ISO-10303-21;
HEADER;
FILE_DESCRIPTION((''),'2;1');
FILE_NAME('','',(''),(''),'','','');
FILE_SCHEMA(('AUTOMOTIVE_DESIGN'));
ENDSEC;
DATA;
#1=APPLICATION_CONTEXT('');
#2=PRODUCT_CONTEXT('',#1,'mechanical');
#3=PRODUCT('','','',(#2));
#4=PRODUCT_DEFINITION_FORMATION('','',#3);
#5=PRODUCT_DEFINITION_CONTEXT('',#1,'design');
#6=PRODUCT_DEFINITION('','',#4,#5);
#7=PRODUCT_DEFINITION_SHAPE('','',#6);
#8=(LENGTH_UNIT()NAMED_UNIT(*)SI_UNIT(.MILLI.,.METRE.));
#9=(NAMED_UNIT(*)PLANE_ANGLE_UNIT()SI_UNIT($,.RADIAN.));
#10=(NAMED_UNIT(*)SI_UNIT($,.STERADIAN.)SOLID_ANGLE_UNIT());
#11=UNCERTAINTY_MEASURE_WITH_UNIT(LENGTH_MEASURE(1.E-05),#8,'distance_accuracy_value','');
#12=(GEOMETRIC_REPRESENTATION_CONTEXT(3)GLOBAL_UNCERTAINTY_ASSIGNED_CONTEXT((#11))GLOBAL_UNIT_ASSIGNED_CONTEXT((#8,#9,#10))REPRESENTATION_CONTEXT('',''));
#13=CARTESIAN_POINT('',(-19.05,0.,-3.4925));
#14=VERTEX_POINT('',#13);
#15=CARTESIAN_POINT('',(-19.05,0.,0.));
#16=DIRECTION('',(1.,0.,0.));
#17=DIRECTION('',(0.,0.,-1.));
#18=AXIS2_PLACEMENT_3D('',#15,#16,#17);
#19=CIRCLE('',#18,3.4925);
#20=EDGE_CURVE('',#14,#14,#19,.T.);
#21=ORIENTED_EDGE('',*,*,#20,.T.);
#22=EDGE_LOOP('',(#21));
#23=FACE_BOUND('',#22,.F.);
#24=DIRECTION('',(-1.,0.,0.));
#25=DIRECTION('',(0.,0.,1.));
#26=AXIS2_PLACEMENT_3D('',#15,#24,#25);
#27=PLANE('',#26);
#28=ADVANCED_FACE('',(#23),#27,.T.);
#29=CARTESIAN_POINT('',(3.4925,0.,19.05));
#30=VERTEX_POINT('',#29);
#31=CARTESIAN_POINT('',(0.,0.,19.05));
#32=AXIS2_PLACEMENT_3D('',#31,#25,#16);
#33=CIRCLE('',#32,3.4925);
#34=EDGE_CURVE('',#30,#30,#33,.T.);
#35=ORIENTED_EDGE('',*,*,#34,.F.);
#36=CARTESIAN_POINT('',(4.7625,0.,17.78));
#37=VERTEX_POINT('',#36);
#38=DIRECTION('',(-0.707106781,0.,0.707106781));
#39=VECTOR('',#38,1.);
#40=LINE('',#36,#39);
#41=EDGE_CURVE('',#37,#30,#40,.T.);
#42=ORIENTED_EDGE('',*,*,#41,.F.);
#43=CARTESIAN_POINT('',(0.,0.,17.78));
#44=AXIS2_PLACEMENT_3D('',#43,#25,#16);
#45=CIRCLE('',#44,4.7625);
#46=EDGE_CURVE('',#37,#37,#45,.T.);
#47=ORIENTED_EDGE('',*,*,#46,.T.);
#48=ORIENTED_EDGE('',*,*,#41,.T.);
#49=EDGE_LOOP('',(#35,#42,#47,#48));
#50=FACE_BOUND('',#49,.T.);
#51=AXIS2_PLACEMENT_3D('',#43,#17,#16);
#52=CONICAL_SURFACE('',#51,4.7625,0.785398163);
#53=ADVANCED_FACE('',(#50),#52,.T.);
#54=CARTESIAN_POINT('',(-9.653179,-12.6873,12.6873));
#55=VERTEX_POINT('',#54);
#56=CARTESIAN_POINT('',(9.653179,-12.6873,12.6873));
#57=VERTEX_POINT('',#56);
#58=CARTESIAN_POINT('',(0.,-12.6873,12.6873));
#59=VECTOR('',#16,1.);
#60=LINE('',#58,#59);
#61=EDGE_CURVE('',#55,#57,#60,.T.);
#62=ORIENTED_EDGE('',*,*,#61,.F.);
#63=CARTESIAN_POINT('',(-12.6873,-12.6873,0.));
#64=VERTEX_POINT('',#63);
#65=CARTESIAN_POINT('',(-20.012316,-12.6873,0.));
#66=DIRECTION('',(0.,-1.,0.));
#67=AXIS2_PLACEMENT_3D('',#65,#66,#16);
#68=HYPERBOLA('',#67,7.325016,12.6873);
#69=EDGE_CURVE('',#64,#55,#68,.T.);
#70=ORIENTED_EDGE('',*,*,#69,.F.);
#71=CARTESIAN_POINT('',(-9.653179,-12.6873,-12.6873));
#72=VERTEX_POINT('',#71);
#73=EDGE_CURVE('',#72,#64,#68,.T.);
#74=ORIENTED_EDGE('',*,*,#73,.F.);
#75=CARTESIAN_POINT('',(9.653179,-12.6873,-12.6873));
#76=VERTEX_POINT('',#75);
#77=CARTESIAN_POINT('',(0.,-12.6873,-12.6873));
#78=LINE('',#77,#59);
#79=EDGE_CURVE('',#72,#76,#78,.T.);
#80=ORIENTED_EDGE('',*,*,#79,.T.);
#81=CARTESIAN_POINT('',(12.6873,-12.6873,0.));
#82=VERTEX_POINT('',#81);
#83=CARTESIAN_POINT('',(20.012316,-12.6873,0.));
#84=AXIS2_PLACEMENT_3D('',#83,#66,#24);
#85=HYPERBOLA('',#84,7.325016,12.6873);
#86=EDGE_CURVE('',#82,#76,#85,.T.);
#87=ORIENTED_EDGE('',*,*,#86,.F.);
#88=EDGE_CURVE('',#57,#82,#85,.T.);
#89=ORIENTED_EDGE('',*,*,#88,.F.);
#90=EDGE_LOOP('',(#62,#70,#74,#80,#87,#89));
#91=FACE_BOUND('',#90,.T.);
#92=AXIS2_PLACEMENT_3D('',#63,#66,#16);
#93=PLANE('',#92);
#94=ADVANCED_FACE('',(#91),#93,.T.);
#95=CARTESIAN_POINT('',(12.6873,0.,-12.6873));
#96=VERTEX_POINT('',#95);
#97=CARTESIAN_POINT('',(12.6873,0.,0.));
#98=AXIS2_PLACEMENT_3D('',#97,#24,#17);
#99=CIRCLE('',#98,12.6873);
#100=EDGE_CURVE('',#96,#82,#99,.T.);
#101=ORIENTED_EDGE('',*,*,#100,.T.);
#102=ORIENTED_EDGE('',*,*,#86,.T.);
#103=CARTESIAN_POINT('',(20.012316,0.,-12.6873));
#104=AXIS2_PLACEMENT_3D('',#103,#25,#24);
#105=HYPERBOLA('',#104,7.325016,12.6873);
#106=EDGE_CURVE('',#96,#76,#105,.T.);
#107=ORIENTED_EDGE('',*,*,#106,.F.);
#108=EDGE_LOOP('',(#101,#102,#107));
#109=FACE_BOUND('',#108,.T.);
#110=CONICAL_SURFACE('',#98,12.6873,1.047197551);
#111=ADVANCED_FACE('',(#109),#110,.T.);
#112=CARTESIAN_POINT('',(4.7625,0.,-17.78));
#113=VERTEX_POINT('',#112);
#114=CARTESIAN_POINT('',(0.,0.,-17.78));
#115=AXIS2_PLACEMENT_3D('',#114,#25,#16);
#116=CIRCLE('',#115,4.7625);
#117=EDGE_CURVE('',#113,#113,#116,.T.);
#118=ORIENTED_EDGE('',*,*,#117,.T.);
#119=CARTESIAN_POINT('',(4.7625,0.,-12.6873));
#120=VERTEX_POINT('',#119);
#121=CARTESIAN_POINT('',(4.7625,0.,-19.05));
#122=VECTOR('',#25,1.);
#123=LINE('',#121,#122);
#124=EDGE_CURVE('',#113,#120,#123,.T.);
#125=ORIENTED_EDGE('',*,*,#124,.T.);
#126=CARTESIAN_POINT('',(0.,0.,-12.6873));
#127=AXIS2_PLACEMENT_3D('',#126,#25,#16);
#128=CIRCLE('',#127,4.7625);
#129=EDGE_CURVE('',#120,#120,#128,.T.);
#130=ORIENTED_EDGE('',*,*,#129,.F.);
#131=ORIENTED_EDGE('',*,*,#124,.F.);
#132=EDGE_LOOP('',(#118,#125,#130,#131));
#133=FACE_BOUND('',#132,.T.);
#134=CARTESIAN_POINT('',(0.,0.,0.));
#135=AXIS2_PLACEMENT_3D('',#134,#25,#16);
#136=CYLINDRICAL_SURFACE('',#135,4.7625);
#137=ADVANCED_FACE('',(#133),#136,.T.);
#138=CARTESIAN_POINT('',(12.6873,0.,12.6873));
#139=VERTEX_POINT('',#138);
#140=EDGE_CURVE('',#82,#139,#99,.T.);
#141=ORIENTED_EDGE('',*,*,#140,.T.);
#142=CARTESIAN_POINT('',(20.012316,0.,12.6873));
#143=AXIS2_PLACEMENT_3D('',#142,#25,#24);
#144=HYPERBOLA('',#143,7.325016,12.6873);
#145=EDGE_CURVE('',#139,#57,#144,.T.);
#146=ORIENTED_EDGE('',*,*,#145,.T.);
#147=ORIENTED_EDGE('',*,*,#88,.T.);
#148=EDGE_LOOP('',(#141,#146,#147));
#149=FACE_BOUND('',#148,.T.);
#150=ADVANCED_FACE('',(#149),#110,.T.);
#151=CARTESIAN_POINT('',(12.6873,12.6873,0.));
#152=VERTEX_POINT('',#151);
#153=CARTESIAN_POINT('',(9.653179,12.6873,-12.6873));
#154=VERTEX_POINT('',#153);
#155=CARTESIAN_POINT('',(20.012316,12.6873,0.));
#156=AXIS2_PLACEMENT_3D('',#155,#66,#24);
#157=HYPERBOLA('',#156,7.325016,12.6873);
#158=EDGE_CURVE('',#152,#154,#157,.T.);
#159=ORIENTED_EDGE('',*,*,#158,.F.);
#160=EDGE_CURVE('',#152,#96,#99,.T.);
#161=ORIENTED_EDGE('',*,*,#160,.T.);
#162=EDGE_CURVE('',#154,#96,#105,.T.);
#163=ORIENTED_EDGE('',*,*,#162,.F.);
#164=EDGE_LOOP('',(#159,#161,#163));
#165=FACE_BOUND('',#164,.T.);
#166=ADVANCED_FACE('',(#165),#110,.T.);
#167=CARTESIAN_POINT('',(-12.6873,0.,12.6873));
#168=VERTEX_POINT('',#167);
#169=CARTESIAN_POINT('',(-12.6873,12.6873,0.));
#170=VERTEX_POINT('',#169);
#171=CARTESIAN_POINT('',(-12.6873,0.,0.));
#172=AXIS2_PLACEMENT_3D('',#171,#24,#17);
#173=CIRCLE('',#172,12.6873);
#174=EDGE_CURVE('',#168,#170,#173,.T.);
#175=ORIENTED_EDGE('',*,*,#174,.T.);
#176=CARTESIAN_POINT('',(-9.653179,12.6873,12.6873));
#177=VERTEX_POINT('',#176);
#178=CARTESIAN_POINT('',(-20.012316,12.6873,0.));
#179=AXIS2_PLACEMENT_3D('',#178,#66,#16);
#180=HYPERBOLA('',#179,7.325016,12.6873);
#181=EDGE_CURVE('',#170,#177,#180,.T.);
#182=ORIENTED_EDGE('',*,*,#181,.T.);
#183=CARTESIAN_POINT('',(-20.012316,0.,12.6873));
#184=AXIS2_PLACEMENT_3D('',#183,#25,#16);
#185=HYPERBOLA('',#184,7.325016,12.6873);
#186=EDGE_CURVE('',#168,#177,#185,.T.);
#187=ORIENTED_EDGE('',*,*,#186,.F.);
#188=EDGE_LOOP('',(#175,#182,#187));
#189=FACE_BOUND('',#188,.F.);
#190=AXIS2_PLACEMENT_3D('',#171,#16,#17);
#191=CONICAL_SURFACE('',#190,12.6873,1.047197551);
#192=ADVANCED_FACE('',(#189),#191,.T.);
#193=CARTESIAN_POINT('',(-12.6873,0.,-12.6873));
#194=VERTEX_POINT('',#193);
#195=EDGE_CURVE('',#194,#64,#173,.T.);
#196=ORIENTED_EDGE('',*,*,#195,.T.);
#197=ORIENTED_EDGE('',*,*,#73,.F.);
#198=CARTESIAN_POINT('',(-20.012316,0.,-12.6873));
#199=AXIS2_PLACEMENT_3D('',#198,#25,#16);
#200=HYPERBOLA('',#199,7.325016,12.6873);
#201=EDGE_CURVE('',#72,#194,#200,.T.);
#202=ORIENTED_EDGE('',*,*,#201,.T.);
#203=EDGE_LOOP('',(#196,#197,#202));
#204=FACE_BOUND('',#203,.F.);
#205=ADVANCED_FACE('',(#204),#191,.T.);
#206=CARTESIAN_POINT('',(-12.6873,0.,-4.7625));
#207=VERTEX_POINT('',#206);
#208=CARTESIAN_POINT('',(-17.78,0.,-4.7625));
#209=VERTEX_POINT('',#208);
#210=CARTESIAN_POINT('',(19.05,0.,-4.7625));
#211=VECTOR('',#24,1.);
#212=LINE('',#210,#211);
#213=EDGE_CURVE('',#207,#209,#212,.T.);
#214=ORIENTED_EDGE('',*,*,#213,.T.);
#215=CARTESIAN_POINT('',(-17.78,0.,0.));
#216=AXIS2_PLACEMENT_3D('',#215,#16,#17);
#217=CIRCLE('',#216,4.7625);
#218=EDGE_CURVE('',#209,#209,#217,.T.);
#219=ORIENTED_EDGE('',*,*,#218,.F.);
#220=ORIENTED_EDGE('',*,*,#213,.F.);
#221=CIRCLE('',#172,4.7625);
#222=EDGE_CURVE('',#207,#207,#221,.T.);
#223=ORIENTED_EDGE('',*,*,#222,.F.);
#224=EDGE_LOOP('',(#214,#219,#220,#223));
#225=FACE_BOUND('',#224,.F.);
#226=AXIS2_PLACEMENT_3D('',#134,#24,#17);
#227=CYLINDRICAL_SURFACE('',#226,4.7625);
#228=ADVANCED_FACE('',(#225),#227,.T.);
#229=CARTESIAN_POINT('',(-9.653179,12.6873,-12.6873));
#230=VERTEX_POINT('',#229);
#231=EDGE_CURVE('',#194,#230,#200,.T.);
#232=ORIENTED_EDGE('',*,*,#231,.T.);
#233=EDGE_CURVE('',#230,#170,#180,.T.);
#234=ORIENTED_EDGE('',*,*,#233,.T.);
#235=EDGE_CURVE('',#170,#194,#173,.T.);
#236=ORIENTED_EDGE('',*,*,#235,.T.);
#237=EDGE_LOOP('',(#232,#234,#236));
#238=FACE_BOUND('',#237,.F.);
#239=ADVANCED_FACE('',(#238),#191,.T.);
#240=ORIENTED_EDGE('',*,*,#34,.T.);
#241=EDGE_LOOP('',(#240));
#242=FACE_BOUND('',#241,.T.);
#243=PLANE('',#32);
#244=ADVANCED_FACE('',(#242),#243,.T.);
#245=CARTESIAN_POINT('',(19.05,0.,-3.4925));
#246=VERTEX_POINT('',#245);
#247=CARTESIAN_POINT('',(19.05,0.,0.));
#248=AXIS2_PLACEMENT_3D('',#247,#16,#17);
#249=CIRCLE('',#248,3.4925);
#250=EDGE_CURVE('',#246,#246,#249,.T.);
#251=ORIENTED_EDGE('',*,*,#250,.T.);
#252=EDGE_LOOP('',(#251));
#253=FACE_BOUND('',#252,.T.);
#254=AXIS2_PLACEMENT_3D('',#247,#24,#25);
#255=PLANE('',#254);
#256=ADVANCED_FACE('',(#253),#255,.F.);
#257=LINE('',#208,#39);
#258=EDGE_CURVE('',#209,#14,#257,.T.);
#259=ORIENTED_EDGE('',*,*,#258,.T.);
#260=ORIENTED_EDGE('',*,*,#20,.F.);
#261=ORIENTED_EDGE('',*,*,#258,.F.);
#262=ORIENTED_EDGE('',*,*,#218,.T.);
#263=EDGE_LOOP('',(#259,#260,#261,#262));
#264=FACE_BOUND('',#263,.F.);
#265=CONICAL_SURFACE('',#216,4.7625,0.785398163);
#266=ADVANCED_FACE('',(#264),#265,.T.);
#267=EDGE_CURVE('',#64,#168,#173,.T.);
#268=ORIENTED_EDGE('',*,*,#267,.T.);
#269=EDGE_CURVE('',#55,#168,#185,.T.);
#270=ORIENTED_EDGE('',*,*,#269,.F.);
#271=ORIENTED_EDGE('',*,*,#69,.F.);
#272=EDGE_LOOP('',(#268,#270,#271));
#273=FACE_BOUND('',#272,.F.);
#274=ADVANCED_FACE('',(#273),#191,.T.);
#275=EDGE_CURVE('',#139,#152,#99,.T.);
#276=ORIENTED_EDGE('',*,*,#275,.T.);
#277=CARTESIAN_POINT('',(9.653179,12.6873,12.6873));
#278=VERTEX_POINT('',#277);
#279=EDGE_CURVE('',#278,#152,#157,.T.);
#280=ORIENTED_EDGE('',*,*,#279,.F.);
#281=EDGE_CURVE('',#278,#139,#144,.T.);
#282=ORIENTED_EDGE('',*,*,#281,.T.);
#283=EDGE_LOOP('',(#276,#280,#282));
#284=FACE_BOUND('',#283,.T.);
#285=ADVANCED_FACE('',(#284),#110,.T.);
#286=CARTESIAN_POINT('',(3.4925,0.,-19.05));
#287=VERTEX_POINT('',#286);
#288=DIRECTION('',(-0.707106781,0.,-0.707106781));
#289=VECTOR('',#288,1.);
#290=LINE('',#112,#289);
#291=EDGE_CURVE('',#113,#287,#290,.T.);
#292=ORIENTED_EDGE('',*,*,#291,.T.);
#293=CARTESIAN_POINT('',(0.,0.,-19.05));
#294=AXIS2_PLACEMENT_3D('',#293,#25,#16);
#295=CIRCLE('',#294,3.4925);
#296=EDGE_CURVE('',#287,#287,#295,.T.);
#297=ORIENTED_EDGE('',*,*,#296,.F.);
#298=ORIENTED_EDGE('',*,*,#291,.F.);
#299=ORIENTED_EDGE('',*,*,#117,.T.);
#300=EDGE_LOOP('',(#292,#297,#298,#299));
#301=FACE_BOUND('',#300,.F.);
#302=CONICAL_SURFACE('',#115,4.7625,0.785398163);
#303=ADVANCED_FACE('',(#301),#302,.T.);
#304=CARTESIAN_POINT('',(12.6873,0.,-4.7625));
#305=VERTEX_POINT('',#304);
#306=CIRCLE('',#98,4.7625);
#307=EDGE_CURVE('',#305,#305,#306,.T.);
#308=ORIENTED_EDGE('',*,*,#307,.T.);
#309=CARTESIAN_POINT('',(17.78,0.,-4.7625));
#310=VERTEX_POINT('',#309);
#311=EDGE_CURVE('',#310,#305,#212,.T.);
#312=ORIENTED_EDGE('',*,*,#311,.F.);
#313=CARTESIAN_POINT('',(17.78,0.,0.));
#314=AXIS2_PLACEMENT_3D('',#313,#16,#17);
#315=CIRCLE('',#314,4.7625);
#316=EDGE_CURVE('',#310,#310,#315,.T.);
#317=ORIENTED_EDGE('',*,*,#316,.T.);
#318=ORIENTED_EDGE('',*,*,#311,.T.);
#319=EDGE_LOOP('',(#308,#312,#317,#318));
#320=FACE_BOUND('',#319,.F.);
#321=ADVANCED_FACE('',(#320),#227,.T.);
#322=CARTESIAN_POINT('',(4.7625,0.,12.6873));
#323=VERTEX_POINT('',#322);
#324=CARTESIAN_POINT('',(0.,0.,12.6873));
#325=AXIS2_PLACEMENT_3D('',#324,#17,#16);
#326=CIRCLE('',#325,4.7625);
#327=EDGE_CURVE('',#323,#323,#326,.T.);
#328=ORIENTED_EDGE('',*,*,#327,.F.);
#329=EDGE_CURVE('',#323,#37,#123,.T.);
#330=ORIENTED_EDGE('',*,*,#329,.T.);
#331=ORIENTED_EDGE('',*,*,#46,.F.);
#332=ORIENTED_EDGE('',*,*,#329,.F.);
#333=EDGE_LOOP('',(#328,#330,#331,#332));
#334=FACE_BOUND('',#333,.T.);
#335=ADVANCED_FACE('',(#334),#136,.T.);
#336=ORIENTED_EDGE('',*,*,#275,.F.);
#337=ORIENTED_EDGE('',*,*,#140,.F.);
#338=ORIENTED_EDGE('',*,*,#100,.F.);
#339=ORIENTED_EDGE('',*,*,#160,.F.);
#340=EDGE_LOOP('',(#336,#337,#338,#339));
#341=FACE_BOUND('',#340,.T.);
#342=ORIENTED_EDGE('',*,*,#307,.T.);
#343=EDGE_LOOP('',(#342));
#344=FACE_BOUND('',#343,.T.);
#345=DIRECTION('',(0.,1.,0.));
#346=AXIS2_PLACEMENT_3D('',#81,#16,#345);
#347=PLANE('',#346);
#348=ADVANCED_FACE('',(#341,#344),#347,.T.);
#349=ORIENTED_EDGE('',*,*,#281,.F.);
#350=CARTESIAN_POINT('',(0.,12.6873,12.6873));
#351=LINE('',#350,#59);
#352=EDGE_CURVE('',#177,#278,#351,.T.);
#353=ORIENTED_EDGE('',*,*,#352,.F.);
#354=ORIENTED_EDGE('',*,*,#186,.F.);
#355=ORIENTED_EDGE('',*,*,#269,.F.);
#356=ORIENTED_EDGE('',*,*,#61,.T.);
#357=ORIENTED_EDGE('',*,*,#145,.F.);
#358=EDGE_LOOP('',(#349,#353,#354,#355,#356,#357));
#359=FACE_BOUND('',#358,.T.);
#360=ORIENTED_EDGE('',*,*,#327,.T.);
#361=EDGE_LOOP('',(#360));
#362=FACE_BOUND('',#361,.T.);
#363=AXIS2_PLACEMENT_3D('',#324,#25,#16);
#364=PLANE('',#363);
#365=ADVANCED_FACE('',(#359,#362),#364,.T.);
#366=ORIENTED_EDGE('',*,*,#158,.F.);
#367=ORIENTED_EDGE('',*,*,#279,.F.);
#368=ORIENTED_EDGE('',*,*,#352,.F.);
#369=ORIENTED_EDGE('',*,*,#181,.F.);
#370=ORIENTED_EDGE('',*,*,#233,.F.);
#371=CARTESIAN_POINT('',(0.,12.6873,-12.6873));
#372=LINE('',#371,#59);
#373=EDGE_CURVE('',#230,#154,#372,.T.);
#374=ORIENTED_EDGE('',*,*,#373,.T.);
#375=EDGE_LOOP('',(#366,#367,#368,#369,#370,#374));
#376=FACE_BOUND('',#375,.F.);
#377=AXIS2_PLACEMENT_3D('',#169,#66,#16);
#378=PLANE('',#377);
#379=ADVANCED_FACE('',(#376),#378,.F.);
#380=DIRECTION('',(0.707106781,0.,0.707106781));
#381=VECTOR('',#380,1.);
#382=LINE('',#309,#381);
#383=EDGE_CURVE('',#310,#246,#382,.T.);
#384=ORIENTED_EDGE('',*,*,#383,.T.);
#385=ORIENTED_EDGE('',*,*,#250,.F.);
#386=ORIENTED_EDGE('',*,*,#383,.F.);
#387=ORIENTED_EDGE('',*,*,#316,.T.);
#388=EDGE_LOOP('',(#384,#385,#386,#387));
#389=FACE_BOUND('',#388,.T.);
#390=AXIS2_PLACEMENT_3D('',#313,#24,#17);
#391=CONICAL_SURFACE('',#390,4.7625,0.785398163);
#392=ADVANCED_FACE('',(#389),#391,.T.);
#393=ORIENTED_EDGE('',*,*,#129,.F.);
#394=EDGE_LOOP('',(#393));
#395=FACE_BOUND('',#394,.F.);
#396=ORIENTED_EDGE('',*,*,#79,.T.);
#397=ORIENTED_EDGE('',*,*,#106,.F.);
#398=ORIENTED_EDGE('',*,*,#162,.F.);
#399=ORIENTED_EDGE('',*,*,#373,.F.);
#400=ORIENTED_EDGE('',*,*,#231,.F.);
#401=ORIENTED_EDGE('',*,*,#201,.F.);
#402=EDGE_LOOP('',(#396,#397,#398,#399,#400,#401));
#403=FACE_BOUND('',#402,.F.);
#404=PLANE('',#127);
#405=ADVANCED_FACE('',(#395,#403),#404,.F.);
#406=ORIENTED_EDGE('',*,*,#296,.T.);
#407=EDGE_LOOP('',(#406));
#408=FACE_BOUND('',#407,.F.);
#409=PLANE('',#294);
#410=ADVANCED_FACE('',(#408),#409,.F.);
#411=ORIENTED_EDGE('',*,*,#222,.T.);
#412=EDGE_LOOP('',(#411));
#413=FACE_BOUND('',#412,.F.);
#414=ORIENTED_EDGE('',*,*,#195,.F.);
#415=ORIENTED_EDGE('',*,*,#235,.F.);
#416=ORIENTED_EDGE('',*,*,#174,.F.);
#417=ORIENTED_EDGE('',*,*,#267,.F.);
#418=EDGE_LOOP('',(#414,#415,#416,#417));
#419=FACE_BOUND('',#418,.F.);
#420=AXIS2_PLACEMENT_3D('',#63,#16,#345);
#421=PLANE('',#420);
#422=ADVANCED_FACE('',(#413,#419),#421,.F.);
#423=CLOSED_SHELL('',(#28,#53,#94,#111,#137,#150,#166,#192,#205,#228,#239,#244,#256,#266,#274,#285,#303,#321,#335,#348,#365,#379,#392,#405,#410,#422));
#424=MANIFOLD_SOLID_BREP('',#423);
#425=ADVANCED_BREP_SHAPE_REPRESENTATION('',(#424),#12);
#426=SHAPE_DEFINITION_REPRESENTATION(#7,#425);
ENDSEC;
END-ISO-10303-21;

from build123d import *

# Parameters (mm, degrees)
SKETCH1_W               = 25.3746
SKETCH1_H               = 25.3746
BOSS_EXTRUDE1_DEPTH     = 12.6873
SKETCH2_OUTSIDE_W       = 127.528
SKETCH2_OUTSIDE_H       = 127.528
SKETCH2_OUTSIDE_R       = 12.6873
CUT_EXTRUDE1_DEPTH      = 26.3746
CUT_EXTRUDE1_TAPER      = 60
SKETCH3_R               = 4.7625
CUT_EXTRUDE2_DEPTH      = 13.6873
CUT_EXTRUDE2_DEPTH_BACK = 13.6873
SKETCH3_2_R             = 4.7625
BOSS_EXTRUDE3_DEPTH     = 19.05
CHAMFER6_SIZE           = 1.27


with BuildPart() as part:
    # Sketch1 → Boss-Extrude1 (new body, symmetric)
    with BuildSketch(Plane.XY):
        Rectangle(SKETCH1_W, SKETCH1_H)
    extrude(amount=BOSS_EXTRUDE1_DEPTH, both=True)

    # Sketch2 outside → Cut-Extrude1 (cut, through all)
    with BuildSketch(Plane(origin=(12.6873, 0, 0), x_dir=(0, 0, -1), z_dir=(1, 0, 0))):
        Rectangle(SKETCH2_OUTSIDE_W, SKETCH2_OUTSIDE_H)
        Circle(SKETCH2_OUTSIDE_R, mode=Mode.SUBTRACT)
    cut_extrude1 = extrude(amount=-CUT_EXTRUDE1_DEPTH, taper=CUT_EXTRUDE1_TAPER, mode=Mode.SUBTRACT)

    # Mirror1: Cut-Extrude1 across plane
    add(cut_extrude1.mirror(Plane(origin=(0, 0, 0), x_dir=(0, 0, 1), z_dir=(1, 0, 0))), mode=Mode.SUBTRACT)

    # Sketch3 → Cut-Extrude2 (cut, two sides)
    with BuildSketch(Plane.XY) as cut_extrude2_sk:
        Circle(SKETCH3_R)
    extrude(amount=CUT_EXTRUDE2_DEPTH, mode=Mode.SUBTRACT)
    extrude(cut_extrude2_sk.sketch, amount=-CUT_EXTRUDE2_DEPTH_BACK, mode=Mode.SUBTRACT)

    # Sketch3<2> → Boss-Extrude3 (add, symmetric)
    with BuildSketch(Plane.XY):
        Circle(SKETCH3_2_R)
    boss_extrude3 = extrude(amount=BOSS_EXTRUDE3_DEPTH, both=True)

    # Mirror2: Boss-Extrude3 across plane
    add(boss_extrude3.mirror(Plane(origin=(0, 0, 0), x_dir=(-0.707106781, 0, 0.707106781), z_dir=(-0.707106781, 0, -0.707106781))))

    # Chamfer6
    chamfer6_edges = [part.edges().sort_by_distance(p)[0] for p in [
        (-4.7625, 0, -19.05),
        (-4.7625, 0, 19.05),
        (-19.05, 0, 4.7625),
        (19.05, 0, 4.7625),
    ]]
    chamfer(chamfer6_edges, length=CHAMFER6_SIZE)


solid = part.part
